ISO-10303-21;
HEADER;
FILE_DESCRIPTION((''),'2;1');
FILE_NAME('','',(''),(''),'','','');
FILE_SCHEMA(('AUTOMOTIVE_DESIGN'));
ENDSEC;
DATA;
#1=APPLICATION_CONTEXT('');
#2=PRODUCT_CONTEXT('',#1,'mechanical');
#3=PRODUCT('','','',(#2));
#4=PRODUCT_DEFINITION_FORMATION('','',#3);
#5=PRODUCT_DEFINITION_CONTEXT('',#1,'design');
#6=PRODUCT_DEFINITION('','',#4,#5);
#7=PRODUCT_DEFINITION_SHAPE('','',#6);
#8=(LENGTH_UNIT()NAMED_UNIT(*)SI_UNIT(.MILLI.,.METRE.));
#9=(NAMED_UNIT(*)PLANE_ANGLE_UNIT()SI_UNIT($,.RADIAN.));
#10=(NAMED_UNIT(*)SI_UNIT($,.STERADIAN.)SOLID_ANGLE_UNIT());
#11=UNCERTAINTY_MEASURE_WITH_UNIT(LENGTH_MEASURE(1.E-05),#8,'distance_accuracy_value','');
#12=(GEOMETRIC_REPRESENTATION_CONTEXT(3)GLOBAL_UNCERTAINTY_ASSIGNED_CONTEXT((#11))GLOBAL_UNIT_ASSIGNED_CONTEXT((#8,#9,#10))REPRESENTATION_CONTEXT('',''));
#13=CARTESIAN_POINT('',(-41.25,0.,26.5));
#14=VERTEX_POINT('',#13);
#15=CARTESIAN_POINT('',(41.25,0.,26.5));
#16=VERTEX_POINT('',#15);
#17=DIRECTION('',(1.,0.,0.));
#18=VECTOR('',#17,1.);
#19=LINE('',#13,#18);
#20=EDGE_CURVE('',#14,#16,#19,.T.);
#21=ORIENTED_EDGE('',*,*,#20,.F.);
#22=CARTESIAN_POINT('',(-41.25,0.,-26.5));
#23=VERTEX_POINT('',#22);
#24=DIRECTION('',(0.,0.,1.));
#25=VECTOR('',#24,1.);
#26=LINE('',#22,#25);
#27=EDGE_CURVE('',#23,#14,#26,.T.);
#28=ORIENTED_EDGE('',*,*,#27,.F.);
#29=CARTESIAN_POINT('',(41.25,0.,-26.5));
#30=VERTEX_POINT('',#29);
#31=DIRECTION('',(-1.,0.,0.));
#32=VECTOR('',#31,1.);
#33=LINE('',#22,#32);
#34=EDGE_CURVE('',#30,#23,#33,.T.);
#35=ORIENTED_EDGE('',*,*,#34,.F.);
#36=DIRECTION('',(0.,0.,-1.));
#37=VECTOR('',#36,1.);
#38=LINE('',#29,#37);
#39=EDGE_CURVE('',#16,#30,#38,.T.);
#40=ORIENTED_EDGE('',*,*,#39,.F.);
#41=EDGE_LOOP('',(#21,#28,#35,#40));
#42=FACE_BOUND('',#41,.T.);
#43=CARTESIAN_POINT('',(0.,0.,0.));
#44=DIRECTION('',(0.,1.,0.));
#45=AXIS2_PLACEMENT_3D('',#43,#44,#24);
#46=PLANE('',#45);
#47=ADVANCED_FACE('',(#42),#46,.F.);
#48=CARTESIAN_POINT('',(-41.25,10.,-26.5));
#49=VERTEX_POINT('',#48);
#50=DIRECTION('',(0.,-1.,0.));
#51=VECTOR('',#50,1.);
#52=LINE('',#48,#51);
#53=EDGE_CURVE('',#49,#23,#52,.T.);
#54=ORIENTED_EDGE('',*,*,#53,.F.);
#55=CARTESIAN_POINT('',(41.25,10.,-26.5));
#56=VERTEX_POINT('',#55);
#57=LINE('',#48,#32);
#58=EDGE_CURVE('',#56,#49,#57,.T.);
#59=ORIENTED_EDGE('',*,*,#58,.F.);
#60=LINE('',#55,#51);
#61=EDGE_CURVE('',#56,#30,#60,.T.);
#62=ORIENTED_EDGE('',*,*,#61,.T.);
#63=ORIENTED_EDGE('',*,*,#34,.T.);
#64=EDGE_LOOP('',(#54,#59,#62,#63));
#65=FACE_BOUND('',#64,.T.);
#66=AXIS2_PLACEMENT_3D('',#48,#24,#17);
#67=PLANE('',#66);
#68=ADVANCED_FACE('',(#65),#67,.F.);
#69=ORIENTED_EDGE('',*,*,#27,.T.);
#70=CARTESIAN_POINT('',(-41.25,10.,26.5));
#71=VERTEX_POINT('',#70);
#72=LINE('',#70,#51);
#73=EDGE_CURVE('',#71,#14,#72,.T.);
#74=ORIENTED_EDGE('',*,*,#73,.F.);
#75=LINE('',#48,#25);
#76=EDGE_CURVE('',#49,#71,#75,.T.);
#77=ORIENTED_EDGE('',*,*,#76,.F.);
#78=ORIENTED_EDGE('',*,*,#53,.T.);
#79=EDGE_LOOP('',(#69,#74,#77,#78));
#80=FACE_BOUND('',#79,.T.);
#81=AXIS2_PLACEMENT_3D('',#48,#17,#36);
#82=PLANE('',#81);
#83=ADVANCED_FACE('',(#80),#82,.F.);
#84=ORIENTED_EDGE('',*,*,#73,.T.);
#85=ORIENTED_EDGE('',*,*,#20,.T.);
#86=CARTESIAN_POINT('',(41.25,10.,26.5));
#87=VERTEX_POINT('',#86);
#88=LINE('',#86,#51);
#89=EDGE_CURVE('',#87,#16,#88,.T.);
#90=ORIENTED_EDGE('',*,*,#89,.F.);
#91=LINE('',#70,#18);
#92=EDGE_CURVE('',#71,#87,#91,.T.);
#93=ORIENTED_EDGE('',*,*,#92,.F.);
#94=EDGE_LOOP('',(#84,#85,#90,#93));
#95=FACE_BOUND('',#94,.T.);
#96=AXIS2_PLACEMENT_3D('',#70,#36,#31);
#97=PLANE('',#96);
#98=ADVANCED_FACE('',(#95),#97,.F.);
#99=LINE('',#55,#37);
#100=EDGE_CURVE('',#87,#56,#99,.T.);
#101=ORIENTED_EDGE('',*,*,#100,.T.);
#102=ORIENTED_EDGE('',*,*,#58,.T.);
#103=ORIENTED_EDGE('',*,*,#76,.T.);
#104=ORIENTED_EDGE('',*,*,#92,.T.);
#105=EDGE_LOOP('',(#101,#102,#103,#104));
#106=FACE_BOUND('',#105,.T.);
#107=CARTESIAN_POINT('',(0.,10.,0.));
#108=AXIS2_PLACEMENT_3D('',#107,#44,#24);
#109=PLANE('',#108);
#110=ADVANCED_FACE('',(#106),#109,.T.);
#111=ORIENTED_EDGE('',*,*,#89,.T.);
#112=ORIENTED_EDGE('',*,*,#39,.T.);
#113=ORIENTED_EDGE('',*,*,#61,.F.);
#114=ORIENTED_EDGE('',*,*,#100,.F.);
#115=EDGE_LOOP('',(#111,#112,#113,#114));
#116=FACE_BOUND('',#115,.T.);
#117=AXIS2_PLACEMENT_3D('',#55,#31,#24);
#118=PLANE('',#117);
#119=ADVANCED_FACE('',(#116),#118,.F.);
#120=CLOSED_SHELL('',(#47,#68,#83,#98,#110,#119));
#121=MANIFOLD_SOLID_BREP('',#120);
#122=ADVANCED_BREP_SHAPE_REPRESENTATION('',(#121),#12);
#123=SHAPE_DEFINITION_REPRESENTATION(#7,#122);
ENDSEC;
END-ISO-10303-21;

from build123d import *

# Parameters (mm, degrees)
SZKIC1_W                    = 82.5
SZKIC1_H                    = 53
DODANIE_WYCI_GNI_CIE1_DEPTH = 10


with BuildPart() as part:
    # Szkic1 → Dodanie-wyciągnięcie1 (new body)
    with BuildSketch(Plane(origin=(0, 0, 0), x_dir=(1, 0, 0), z_dir=(0, 1, 0))):
        Rectangle(SZKIC1_W, SZKIC1_H)
    extrude(amount=DODANIE_WYCI_GNI_CIE1_DEPTH)


solid = part.part
